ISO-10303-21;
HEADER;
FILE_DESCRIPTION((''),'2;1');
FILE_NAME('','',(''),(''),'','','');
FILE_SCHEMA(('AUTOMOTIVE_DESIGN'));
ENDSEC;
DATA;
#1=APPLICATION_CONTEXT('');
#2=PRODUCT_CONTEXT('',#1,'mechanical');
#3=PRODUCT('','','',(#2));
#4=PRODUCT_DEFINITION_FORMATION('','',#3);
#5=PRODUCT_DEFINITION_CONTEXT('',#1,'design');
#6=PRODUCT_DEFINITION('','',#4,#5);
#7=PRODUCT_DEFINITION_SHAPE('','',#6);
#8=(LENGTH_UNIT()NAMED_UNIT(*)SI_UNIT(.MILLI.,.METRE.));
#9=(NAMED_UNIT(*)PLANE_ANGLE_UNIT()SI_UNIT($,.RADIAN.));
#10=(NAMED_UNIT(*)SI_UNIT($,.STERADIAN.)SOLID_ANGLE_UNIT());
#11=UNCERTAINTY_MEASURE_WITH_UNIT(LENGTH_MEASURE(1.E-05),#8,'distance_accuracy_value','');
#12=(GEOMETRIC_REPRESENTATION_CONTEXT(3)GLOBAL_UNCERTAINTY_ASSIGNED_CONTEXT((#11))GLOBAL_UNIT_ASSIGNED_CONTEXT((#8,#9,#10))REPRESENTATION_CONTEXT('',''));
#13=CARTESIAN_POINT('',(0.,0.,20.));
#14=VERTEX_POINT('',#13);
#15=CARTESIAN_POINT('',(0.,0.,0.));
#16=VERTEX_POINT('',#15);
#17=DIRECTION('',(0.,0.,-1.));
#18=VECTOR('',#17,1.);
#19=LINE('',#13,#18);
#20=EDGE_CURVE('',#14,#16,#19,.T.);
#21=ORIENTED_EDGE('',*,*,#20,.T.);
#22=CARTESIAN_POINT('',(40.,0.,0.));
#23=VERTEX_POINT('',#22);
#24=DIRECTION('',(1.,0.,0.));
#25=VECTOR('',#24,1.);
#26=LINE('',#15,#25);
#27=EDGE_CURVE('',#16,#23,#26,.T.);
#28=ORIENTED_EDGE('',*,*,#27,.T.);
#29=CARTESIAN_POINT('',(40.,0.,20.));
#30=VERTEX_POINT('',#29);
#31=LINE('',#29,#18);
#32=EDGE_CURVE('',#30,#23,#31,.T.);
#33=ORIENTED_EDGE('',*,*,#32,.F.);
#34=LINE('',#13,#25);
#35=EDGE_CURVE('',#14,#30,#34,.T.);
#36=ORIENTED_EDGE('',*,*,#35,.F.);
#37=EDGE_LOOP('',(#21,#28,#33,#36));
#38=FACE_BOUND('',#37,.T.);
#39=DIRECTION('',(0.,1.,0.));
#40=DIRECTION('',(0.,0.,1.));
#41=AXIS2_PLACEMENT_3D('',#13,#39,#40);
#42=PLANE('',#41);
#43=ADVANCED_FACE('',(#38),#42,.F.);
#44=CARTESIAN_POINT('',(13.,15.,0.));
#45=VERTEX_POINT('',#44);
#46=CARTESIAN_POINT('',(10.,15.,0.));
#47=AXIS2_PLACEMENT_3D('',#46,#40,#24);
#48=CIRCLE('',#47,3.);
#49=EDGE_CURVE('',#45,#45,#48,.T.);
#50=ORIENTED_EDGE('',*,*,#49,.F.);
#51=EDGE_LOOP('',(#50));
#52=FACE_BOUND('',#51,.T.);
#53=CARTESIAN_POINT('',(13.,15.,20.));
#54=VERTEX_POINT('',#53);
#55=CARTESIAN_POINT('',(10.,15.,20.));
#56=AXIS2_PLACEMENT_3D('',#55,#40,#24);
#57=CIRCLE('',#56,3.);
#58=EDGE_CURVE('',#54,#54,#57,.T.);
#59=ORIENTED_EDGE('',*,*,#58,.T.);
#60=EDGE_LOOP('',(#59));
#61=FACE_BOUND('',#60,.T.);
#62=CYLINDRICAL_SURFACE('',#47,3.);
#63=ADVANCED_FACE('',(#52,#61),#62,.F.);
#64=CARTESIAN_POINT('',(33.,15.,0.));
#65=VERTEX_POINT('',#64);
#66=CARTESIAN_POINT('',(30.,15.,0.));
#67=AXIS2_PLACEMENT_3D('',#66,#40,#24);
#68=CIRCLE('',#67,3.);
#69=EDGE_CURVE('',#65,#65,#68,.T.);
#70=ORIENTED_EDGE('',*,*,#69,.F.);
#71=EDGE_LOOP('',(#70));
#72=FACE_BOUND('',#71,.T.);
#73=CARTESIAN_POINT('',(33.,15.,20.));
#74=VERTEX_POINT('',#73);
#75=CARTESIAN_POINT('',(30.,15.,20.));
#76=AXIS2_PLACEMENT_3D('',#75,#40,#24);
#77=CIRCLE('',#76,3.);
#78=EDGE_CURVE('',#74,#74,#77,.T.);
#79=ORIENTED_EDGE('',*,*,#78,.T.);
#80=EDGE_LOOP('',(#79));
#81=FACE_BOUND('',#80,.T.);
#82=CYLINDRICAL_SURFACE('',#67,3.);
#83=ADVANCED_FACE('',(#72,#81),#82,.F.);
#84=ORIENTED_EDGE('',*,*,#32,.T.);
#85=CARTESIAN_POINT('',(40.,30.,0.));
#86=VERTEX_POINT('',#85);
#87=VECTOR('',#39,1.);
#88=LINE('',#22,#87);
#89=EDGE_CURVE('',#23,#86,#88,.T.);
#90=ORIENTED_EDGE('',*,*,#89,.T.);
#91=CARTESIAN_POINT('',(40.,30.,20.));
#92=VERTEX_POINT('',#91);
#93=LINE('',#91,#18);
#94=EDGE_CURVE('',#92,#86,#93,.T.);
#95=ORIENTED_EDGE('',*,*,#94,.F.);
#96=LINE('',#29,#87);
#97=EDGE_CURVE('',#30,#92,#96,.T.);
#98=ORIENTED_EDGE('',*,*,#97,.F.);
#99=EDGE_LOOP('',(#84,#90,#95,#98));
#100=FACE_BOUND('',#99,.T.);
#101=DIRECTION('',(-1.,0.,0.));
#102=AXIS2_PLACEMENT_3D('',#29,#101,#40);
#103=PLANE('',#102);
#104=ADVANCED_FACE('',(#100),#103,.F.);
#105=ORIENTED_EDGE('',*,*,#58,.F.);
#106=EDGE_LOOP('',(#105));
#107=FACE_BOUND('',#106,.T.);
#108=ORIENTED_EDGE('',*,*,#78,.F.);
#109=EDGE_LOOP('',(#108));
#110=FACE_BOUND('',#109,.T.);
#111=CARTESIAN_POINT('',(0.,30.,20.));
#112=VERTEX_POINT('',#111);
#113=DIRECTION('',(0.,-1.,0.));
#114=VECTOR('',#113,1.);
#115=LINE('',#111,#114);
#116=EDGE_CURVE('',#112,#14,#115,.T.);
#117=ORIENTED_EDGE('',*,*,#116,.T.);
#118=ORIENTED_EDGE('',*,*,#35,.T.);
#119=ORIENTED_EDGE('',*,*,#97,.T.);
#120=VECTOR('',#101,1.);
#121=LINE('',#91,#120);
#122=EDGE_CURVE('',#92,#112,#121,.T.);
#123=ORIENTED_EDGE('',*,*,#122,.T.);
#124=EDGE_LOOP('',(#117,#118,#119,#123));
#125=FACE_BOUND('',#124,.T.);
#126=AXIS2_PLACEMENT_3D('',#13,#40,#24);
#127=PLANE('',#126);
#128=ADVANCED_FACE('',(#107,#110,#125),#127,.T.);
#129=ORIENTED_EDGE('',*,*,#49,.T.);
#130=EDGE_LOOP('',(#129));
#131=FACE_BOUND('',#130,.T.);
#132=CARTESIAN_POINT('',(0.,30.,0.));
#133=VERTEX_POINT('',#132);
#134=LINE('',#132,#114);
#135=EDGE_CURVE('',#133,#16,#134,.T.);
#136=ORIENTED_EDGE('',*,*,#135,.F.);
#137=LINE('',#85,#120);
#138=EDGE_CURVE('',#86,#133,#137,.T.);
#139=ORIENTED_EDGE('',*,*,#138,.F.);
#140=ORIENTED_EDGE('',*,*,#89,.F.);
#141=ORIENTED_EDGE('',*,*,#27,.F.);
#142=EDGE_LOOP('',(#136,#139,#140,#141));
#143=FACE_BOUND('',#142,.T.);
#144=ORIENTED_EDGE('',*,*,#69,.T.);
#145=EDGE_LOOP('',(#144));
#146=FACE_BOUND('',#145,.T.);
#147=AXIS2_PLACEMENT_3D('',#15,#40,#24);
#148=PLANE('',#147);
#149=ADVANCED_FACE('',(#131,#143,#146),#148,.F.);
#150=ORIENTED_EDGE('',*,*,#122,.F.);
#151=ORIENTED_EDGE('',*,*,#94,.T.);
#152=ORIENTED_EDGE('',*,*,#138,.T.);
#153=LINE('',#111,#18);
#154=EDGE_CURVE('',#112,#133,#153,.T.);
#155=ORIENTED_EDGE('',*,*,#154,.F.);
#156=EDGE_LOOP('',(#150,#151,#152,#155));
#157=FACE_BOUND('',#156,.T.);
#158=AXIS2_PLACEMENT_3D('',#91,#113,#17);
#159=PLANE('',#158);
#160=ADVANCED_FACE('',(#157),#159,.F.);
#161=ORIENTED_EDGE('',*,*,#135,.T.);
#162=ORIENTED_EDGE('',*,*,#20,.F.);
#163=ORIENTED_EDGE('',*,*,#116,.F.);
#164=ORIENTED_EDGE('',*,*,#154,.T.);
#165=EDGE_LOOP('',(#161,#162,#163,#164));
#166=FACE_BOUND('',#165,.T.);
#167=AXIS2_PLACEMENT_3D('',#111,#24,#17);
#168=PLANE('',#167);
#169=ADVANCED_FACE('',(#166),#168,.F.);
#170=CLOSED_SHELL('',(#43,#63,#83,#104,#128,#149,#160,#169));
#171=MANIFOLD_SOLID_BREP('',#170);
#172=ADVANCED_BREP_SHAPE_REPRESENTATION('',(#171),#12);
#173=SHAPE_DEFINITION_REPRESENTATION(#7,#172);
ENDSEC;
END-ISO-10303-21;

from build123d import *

# Parameters (mm, degrees)
SKETCH_BASE_PROFILE_W   = 40
SKETCH_BASE_PROFILE_H   = 30
FEATURE_BASE_DEPTH      = 20
SKETCH_HOLES_PROFILE_R  = 3
FEATURE_TWO_HOLES_DEPTH = 54.851648071


with BuildPart() as part:
    # sketch:base-profile → feature:base (new body)
    with BuildSketch(Plane.XY):
        with Locations((20, 15)):
            Rectangle(SKETCH_BASE_PROFILE_W, SKETCH_BASE_PROFILE_H)
    extrude(amount=FEATURE_BASE_DEPTH)

    # sketch:holes-profile → feature:two-holes (cut, through all)
    with BuildSketch(Plane.XY.offset(20)):
        with Locations((10, 15)):
            Circle(SKETCH_HOLES_PROFILE_R)
        with Locations((30, 15)):
            Circle(SKETCH_HOLES_PROFILE_R)
    extrude(amount=-FEATURE_TWO_HOLES_DEPTH, mode=Mode.SUBTRACT)


solid = part.part
